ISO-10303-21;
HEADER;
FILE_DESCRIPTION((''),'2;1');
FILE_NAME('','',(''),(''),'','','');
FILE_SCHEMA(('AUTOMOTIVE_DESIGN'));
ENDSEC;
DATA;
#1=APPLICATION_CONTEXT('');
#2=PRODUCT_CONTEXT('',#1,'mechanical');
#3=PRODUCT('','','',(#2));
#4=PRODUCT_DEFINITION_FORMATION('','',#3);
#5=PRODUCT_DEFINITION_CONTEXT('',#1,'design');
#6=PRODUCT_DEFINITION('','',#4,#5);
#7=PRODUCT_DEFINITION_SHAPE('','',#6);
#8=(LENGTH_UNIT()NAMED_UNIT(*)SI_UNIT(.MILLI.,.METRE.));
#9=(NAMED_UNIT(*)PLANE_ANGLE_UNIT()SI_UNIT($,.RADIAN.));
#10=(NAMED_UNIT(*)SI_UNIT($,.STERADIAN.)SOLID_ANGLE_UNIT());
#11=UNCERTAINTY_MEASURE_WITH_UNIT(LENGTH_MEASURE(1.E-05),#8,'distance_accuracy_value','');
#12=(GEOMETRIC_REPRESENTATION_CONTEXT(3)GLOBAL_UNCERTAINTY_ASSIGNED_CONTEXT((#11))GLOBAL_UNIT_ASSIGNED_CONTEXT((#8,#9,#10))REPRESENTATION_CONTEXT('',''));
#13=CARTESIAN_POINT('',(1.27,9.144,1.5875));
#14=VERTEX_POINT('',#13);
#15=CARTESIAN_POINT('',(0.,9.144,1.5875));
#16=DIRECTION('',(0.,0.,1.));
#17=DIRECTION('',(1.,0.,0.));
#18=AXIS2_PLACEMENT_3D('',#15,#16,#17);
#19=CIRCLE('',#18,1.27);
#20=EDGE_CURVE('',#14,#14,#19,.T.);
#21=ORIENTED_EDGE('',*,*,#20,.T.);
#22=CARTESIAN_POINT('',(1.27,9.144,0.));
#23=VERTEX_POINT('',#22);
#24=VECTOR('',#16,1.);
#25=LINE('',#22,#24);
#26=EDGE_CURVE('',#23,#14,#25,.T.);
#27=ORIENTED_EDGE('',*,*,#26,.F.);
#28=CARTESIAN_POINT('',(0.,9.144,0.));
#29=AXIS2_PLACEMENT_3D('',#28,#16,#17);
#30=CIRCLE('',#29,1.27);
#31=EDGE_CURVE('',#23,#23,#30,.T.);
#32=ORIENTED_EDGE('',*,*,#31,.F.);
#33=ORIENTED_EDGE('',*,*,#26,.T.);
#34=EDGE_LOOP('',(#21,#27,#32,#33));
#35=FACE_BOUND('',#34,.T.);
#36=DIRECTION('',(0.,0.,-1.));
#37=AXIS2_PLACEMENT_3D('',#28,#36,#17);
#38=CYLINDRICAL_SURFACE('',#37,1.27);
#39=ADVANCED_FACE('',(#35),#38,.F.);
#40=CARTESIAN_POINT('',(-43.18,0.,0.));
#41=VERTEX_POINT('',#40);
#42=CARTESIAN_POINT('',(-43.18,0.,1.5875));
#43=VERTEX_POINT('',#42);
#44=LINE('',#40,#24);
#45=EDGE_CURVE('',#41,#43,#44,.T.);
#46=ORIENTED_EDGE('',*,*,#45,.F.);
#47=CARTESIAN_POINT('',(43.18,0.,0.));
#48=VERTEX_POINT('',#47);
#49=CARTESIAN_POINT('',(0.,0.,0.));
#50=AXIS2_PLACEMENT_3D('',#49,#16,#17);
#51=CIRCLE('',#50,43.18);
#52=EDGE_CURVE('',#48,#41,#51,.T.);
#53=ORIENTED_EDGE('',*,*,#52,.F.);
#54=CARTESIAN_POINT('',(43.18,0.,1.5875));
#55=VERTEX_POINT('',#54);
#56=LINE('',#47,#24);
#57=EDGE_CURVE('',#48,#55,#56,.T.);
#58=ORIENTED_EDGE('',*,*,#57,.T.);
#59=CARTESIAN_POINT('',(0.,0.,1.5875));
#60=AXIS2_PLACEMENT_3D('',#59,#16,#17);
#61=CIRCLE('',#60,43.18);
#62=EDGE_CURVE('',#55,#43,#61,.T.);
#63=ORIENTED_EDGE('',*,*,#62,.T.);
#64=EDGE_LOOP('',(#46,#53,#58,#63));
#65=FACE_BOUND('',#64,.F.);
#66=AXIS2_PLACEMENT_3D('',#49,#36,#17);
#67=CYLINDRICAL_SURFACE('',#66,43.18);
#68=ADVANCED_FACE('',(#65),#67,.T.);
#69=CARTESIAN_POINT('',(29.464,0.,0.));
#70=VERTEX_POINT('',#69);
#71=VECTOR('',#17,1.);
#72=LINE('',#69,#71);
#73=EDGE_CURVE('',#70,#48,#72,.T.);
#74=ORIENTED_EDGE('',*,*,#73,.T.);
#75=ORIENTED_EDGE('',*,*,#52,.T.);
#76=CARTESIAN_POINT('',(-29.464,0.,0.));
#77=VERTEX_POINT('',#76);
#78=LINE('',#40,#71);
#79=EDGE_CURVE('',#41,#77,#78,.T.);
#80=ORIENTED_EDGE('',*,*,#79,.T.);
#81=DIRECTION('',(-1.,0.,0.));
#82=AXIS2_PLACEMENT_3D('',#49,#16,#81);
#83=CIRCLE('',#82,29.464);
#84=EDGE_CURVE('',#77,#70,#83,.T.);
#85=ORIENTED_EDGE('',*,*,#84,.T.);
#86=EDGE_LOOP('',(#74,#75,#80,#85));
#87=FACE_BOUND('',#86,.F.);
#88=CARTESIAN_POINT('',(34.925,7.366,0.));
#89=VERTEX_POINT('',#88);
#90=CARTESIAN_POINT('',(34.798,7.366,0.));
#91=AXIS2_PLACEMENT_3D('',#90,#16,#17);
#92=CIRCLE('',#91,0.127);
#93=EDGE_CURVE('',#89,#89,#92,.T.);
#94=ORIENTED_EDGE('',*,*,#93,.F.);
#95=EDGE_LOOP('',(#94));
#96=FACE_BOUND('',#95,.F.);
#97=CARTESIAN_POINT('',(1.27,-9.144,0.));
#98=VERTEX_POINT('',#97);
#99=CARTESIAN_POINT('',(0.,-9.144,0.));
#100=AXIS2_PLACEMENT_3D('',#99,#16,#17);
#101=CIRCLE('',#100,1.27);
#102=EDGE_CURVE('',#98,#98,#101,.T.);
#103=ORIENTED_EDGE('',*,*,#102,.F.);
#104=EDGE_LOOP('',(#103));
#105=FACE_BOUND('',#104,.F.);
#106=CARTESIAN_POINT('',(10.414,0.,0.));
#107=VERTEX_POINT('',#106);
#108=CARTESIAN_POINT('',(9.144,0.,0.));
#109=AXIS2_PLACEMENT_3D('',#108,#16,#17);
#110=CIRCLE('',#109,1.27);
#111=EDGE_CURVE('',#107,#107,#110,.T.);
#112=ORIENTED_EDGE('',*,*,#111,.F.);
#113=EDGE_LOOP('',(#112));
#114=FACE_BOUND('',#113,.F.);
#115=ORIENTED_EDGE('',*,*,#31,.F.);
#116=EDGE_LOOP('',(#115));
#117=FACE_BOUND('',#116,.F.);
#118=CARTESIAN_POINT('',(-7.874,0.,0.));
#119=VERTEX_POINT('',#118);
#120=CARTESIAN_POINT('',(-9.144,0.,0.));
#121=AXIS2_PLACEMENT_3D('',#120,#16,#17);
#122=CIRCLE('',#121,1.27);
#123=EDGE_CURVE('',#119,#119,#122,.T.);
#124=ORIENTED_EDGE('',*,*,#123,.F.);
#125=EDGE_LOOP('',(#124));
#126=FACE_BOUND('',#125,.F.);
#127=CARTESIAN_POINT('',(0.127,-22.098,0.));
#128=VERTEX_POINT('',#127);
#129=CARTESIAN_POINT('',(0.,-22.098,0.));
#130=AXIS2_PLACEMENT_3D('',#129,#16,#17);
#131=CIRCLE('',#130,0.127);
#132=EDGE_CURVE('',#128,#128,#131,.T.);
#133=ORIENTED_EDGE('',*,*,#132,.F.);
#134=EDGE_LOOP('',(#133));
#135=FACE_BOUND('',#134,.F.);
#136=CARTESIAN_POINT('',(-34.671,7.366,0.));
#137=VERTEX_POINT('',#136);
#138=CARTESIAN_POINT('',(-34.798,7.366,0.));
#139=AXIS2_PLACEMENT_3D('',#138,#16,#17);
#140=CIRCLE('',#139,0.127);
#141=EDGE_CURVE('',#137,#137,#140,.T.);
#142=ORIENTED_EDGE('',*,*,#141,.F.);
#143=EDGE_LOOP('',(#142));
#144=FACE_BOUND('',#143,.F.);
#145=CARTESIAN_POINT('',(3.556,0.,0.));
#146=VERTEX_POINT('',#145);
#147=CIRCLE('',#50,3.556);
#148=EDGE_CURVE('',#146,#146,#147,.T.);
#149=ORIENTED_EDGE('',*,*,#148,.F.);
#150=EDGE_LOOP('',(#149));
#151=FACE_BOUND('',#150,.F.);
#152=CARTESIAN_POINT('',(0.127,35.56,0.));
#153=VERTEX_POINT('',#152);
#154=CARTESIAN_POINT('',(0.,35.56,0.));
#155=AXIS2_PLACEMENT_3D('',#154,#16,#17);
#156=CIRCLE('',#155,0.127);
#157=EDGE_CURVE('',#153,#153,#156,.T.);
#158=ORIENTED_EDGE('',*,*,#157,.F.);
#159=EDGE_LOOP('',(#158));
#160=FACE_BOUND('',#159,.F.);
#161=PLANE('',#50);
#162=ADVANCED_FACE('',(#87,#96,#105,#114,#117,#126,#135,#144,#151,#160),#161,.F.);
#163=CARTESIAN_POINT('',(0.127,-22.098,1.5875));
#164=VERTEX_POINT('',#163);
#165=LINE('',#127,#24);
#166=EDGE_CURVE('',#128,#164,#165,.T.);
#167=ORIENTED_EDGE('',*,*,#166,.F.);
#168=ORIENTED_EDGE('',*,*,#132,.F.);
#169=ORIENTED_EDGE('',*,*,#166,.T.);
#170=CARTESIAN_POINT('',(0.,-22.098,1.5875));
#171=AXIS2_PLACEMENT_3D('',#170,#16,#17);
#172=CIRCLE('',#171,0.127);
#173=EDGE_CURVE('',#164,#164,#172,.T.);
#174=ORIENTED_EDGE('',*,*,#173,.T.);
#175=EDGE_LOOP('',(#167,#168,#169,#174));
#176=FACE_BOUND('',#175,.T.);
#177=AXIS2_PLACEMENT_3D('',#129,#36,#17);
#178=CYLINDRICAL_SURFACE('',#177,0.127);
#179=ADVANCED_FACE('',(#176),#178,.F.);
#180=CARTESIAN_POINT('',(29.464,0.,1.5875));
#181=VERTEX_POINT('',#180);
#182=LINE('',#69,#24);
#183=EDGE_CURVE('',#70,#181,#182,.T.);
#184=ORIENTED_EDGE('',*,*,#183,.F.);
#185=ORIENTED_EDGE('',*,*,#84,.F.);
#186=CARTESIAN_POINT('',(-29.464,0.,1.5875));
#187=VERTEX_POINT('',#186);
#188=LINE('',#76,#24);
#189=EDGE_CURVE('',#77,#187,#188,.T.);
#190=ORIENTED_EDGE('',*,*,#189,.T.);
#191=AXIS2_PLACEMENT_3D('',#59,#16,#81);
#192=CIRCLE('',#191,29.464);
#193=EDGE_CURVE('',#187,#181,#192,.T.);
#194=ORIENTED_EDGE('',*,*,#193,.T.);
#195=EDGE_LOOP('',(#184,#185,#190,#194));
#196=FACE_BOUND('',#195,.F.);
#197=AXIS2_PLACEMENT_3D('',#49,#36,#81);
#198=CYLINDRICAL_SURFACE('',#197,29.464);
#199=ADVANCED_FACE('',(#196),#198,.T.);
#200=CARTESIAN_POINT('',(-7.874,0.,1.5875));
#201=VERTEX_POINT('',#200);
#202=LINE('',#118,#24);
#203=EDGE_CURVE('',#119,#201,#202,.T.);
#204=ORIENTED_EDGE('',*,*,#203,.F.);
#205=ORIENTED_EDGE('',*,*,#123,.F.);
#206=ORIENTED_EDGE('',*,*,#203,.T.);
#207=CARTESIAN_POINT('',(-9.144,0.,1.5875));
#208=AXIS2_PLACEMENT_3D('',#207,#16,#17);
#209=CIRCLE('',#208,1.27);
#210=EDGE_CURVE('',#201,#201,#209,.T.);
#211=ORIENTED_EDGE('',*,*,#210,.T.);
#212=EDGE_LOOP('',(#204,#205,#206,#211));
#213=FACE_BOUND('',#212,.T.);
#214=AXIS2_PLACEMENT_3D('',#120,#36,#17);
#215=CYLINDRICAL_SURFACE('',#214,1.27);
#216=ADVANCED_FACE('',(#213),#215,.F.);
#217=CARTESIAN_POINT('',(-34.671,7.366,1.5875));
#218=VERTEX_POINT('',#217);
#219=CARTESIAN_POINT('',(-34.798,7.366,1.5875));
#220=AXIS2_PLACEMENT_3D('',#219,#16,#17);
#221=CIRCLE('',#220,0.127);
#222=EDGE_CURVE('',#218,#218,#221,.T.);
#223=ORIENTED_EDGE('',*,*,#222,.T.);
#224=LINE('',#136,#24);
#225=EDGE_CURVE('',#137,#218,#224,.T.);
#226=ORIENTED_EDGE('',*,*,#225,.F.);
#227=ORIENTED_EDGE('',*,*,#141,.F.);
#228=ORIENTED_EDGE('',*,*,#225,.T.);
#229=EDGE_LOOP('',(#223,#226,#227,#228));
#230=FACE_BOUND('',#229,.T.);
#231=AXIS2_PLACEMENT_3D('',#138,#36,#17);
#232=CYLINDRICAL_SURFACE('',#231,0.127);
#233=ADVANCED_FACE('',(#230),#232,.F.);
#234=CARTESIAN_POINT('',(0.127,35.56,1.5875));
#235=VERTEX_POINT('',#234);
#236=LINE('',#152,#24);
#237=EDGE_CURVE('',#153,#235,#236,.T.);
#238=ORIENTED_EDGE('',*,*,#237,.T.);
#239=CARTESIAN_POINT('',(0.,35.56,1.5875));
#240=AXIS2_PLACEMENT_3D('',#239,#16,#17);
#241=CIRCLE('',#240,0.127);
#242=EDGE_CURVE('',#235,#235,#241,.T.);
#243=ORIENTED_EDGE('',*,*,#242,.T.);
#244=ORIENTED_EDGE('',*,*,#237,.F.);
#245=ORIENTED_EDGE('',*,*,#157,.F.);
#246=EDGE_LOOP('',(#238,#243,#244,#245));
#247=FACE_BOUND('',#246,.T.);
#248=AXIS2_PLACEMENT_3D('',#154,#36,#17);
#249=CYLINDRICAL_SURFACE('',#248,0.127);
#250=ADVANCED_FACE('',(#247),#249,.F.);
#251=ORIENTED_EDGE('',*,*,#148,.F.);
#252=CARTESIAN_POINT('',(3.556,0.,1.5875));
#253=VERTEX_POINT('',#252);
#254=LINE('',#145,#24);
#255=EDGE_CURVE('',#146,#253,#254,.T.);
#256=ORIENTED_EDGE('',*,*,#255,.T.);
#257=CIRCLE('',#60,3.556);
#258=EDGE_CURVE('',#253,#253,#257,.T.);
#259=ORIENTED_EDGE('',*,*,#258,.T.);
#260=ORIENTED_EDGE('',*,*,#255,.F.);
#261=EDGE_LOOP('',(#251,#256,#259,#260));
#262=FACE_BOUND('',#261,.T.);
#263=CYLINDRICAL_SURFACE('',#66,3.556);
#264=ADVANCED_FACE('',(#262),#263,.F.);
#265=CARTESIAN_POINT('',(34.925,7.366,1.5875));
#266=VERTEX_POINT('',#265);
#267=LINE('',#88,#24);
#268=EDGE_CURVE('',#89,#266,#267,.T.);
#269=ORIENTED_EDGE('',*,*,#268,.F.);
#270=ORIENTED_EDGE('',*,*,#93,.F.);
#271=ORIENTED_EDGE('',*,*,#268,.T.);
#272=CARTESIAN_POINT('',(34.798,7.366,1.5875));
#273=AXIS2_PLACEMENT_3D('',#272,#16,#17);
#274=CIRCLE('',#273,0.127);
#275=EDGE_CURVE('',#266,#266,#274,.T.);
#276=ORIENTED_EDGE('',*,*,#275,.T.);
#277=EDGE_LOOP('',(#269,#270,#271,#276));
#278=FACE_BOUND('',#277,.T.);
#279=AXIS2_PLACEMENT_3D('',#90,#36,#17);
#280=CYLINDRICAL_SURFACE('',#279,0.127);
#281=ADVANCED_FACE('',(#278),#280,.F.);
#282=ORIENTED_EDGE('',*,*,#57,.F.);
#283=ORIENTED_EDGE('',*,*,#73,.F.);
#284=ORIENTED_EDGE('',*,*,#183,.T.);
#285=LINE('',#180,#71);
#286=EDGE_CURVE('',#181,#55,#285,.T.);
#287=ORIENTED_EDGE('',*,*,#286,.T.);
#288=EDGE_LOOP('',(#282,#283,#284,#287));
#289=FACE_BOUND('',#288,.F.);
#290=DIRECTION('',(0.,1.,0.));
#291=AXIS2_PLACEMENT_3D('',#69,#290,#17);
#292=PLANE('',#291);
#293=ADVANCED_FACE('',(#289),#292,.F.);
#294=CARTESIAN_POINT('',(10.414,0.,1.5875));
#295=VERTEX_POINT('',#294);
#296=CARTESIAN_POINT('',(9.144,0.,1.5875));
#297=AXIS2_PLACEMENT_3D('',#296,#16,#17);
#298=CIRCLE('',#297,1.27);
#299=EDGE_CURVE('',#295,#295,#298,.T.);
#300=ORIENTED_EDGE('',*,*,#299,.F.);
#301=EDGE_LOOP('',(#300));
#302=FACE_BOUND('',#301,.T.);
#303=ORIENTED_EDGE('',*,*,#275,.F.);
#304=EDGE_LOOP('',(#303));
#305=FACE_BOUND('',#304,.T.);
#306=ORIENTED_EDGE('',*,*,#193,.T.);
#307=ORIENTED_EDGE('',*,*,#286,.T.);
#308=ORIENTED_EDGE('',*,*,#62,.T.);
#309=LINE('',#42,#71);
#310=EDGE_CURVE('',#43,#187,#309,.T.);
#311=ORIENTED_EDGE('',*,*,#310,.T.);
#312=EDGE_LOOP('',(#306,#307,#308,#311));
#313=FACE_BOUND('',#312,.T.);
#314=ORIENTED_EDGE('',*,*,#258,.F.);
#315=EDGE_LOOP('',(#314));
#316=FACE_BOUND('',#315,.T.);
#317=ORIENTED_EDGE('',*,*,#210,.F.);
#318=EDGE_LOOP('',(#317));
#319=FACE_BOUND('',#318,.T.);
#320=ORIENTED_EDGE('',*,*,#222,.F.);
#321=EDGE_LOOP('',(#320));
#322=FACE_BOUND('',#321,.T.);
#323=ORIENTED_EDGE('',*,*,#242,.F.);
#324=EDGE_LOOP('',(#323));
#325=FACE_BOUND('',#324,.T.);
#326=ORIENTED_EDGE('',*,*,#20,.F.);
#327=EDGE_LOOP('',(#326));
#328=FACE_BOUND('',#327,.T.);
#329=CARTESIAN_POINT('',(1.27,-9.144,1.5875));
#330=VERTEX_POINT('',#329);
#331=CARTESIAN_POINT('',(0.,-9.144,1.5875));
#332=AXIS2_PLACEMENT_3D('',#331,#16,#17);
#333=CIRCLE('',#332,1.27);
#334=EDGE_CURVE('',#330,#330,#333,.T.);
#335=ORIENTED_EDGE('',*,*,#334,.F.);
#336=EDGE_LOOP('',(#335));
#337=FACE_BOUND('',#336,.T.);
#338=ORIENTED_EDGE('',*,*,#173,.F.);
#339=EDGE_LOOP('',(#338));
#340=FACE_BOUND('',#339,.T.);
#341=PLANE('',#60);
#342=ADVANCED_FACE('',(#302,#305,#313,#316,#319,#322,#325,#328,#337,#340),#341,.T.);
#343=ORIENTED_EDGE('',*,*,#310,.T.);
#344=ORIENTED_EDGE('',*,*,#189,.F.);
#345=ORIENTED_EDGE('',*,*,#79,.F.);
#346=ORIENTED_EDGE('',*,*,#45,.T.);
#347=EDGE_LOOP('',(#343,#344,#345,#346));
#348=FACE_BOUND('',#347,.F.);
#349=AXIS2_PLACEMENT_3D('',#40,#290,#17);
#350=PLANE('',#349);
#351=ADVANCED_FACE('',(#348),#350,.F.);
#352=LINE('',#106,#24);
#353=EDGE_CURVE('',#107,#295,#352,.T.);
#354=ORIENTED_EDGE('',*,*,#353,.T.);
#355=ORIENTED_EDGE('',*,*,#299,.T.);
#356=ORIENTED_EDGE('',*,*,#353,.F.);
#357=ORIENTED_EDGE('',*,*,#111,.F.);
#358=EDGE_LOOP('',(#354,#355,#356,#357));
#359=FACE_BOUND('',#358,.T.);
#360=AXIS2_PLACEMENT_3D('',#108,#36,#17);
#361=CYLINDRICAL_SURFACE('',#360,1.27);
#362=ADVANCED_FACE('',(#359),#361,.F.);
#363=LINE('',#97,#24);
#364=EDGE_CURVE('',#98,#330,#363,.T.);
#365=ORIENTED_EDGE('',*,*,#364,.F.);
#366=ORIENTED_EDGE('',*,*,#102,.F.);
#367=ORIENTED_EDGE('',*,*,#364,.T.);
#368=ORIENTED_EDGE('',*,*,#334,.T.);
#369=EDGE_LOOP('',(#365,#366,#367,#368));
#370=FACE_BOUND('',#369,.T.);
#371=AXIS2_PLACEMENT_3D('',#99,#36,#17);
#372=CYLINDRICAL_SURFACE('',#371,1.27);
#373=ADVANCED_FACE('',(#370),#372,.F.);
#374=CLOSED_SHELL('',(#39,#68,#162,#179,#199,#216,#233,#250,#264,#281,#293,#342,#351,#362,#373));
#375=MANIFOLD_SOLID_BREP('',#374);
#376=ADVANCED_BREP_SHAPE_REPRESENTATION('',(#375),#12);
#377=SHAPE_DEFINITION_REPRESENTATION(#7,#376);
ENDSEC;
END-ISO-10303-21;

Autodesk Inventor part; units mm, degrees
ref_plane "YZ Plane" through (0, 0, 0) normal (1, 0, 0) x (0, 1, 0)
ref_plane "XZ Plane" through (0, 0, 0) normal (0, 1, 0) x (-1, 0, 0)
ref_plane "XY Plane" through (0, 0, 0) normal (0, 0, 1) x (1, 0, 0)
sketch "Sketch1" plane through (0, 0, 0) normal (0, 0, 1) x (1, 0, 0)
  circle A0 centre (0, 0) radius 3.556
  circle A1 centre (0, 9.144) radius 1.27
  circle A2 centre (-9.144, 0) radius 1.27
  circle A3 centre (0, -9.144) radius 1.27
  circle A4 centre (9.144, 0) radius 1.27
  arc A5 (43.18, 0) -> (-43.18, 0) centre (0, 0) ccw
  arc A6 (-29.464, 0) -> (29.464, 0) centre (0, 0) ccw
  line L0 (-43.18, 0) -> (-29.464, 0)
  line L1 (29.464, 0) -> (43.18, 0)
  circle A7 centre (0, 35.56) radius 0.127
  circle A8 centre (0, -22.098) radius 0.127
  circle A9 centre (-34.798, 7.366) radius 0.127
  circle A10 centre (34.798, 7.366) radius 0.127
  dimension "d0" = 7.112
  dimension "d1" = 2.54
  dimension "d2" = 9.144
  dimension "d5" = 360
  dimension "d7" = 43.18
  dimension "d8" = 29.464
  dimension "d9" = 35.56
  dimension "d10" = 34.798
  dimension "d11" = 34.798
  dimension "d12" = 22.098
  dimension "d13" = 0.254
  dimension "d14" = 7.366
extrude "Extrusion1" add sketch "Sketch1" along normal blind 1.5875
equation "\"d11\" = d10"
properties part number "PixyCamGimbal Base"
